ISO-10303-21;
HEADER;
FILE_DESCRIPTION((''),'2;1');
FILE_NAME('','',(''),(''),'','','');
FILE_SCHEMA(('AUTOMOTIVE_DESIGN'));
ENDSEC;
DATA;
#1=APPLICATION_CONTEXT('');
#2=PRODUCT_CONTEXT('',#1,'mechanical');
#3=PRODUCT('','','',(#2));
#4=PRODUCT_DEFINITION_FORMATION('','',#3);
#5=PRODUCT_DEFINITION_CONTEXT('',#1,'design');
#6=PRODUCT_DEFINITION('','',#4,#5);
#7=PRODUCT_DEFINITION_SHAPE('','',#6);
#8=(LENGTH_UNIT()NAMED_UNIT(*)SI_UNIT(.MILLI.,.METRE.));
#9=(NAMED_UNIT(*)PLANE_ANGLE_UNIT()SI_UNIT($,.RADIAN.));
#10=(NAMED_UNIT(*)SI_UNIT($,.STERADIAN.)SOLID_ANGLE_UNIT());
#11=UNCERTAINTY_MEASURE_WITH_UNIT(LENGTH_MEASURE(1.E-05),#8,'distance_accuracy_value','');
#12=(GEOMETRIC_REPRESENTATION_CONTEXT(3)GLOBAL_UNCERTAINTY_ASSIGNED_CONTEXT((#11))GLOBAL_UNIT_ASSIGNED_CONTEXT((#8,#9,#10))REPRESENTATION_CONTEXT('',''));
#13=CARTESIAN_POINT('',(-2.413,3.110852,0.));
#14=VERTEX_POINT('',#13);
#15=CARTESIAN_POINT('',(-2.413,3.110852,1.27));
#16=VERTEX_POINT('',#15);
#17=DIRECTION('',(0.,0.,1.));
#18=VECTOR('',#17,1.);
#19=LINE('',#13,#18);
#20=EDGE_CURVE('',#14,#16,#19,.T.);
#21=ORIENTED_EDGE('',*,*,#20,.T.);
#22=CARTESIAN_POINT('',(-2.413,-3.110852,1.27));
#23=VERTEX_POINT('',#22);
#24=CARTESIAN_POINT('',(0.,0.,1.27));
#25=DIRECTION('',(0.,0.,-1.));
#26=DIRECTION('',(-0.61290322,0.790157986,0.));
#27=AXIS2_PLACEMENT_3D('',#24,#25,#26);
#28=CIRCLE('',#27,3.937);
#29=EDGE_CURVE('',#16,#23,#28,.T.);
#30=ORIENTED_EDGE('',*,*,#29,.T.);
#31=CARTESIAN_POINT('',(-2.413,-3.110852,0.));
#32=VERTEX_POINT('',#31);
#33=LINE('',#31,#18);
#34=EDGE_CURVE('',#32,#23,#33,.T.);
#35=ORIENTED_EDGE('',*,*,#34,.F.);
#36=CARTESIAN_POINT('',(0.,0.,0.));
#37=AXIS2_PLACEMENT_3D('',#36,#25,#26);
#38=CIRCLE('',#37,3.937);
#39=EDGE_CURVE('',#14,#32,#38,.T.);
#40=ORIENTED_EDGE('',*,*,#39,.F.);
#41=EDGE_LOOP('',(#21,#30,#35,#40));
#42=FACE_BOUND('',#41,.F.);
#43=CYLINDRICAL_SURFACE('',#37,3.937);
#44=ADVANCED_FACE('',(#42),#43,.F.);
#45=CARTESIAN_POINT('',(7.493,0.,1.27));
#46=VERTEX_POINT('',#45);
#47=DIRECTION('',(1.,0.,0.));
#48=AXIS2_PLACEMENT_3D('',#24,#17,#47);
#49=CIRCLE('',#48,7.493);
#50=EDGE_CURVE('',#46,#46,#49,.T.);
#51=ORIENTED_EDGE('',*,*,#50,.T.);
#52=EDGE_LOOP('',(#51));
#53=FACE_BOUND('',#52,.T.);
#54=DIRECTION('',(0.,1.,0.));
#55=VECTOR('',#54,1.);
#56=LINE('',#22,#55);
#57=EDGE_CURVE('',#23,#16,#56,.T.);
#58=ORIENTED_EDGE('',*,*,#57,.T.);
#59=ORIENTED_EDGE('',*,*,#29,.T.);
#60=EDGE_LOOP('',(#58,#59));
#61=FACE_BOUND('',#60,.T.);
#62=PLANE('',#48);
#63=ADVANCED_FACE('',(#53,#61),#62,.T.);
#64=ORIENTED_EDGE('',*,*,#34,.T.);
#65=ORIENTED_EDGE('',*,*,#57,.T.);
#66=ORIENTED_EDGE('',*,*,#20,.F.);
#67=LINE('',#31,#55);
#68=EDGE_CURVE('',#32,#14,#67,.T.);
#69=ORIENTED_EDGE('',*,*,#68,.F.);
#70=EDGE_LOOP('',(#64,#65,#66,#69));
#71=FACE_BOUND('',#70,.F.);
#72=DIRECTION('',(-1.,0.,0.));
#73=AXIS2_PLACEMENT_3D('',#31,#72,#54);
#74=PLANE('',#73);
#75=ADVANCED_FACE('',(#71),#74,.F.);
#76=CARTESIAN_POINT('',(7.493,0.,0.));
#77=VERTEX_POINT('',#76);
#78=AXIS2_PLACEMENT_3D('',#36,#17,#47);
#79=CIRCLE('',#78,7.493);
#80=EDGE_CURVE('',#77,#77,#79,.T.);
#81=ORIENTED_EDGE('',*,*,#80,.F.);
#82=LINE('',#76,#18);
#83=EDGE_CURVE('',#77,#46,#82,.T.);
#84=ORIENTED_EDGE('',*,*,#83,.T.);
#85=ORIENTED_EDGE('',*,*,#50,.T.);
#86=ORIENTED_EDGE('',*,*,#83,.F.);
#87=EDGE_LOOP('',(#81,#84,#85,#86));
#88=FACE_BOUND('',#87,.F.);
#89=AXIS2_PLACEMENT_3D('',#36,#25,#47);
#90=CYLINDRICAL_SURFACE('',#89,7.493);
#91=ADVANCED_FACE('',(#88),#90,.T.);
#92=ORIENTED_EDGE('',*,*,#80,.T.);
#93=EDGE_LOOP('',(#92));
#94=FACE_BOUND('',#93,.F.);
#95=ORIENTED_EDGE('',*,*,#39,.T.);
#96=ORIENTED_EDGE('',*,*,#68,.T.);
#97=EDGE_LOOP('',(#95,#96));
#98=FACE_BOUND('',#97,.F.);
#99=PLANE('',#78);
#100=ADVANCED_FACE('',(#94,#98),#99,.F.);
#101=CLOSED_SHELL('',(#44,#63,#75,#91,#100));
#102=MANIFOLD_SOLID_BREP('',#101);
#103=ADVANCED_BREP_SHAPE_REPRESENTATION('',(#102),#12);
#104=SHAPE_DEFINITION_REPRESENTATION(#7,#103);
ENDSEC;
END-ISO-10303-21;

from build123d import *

# Parameters (mm, degrees)
F0_R     = 7.493
F1_DEPTH = 1.27


with BuildPart() as f1:
    # F0 (on Top) → F1 (new body)
    with BuildSketch(Plane.XY):
        Circle(F0_R)
        with BuildLine():
            ThreePointArc((-2.413, 3.110852), (3.937, 0), (-2.413, -3.110852))
            Line((-2.413, -3.110852), (-2.413, 3.110852))
        make_face(mode=Mode.SUBTRACT)
    extrude(amount=F1_DEPTH)


solid = f1.part
